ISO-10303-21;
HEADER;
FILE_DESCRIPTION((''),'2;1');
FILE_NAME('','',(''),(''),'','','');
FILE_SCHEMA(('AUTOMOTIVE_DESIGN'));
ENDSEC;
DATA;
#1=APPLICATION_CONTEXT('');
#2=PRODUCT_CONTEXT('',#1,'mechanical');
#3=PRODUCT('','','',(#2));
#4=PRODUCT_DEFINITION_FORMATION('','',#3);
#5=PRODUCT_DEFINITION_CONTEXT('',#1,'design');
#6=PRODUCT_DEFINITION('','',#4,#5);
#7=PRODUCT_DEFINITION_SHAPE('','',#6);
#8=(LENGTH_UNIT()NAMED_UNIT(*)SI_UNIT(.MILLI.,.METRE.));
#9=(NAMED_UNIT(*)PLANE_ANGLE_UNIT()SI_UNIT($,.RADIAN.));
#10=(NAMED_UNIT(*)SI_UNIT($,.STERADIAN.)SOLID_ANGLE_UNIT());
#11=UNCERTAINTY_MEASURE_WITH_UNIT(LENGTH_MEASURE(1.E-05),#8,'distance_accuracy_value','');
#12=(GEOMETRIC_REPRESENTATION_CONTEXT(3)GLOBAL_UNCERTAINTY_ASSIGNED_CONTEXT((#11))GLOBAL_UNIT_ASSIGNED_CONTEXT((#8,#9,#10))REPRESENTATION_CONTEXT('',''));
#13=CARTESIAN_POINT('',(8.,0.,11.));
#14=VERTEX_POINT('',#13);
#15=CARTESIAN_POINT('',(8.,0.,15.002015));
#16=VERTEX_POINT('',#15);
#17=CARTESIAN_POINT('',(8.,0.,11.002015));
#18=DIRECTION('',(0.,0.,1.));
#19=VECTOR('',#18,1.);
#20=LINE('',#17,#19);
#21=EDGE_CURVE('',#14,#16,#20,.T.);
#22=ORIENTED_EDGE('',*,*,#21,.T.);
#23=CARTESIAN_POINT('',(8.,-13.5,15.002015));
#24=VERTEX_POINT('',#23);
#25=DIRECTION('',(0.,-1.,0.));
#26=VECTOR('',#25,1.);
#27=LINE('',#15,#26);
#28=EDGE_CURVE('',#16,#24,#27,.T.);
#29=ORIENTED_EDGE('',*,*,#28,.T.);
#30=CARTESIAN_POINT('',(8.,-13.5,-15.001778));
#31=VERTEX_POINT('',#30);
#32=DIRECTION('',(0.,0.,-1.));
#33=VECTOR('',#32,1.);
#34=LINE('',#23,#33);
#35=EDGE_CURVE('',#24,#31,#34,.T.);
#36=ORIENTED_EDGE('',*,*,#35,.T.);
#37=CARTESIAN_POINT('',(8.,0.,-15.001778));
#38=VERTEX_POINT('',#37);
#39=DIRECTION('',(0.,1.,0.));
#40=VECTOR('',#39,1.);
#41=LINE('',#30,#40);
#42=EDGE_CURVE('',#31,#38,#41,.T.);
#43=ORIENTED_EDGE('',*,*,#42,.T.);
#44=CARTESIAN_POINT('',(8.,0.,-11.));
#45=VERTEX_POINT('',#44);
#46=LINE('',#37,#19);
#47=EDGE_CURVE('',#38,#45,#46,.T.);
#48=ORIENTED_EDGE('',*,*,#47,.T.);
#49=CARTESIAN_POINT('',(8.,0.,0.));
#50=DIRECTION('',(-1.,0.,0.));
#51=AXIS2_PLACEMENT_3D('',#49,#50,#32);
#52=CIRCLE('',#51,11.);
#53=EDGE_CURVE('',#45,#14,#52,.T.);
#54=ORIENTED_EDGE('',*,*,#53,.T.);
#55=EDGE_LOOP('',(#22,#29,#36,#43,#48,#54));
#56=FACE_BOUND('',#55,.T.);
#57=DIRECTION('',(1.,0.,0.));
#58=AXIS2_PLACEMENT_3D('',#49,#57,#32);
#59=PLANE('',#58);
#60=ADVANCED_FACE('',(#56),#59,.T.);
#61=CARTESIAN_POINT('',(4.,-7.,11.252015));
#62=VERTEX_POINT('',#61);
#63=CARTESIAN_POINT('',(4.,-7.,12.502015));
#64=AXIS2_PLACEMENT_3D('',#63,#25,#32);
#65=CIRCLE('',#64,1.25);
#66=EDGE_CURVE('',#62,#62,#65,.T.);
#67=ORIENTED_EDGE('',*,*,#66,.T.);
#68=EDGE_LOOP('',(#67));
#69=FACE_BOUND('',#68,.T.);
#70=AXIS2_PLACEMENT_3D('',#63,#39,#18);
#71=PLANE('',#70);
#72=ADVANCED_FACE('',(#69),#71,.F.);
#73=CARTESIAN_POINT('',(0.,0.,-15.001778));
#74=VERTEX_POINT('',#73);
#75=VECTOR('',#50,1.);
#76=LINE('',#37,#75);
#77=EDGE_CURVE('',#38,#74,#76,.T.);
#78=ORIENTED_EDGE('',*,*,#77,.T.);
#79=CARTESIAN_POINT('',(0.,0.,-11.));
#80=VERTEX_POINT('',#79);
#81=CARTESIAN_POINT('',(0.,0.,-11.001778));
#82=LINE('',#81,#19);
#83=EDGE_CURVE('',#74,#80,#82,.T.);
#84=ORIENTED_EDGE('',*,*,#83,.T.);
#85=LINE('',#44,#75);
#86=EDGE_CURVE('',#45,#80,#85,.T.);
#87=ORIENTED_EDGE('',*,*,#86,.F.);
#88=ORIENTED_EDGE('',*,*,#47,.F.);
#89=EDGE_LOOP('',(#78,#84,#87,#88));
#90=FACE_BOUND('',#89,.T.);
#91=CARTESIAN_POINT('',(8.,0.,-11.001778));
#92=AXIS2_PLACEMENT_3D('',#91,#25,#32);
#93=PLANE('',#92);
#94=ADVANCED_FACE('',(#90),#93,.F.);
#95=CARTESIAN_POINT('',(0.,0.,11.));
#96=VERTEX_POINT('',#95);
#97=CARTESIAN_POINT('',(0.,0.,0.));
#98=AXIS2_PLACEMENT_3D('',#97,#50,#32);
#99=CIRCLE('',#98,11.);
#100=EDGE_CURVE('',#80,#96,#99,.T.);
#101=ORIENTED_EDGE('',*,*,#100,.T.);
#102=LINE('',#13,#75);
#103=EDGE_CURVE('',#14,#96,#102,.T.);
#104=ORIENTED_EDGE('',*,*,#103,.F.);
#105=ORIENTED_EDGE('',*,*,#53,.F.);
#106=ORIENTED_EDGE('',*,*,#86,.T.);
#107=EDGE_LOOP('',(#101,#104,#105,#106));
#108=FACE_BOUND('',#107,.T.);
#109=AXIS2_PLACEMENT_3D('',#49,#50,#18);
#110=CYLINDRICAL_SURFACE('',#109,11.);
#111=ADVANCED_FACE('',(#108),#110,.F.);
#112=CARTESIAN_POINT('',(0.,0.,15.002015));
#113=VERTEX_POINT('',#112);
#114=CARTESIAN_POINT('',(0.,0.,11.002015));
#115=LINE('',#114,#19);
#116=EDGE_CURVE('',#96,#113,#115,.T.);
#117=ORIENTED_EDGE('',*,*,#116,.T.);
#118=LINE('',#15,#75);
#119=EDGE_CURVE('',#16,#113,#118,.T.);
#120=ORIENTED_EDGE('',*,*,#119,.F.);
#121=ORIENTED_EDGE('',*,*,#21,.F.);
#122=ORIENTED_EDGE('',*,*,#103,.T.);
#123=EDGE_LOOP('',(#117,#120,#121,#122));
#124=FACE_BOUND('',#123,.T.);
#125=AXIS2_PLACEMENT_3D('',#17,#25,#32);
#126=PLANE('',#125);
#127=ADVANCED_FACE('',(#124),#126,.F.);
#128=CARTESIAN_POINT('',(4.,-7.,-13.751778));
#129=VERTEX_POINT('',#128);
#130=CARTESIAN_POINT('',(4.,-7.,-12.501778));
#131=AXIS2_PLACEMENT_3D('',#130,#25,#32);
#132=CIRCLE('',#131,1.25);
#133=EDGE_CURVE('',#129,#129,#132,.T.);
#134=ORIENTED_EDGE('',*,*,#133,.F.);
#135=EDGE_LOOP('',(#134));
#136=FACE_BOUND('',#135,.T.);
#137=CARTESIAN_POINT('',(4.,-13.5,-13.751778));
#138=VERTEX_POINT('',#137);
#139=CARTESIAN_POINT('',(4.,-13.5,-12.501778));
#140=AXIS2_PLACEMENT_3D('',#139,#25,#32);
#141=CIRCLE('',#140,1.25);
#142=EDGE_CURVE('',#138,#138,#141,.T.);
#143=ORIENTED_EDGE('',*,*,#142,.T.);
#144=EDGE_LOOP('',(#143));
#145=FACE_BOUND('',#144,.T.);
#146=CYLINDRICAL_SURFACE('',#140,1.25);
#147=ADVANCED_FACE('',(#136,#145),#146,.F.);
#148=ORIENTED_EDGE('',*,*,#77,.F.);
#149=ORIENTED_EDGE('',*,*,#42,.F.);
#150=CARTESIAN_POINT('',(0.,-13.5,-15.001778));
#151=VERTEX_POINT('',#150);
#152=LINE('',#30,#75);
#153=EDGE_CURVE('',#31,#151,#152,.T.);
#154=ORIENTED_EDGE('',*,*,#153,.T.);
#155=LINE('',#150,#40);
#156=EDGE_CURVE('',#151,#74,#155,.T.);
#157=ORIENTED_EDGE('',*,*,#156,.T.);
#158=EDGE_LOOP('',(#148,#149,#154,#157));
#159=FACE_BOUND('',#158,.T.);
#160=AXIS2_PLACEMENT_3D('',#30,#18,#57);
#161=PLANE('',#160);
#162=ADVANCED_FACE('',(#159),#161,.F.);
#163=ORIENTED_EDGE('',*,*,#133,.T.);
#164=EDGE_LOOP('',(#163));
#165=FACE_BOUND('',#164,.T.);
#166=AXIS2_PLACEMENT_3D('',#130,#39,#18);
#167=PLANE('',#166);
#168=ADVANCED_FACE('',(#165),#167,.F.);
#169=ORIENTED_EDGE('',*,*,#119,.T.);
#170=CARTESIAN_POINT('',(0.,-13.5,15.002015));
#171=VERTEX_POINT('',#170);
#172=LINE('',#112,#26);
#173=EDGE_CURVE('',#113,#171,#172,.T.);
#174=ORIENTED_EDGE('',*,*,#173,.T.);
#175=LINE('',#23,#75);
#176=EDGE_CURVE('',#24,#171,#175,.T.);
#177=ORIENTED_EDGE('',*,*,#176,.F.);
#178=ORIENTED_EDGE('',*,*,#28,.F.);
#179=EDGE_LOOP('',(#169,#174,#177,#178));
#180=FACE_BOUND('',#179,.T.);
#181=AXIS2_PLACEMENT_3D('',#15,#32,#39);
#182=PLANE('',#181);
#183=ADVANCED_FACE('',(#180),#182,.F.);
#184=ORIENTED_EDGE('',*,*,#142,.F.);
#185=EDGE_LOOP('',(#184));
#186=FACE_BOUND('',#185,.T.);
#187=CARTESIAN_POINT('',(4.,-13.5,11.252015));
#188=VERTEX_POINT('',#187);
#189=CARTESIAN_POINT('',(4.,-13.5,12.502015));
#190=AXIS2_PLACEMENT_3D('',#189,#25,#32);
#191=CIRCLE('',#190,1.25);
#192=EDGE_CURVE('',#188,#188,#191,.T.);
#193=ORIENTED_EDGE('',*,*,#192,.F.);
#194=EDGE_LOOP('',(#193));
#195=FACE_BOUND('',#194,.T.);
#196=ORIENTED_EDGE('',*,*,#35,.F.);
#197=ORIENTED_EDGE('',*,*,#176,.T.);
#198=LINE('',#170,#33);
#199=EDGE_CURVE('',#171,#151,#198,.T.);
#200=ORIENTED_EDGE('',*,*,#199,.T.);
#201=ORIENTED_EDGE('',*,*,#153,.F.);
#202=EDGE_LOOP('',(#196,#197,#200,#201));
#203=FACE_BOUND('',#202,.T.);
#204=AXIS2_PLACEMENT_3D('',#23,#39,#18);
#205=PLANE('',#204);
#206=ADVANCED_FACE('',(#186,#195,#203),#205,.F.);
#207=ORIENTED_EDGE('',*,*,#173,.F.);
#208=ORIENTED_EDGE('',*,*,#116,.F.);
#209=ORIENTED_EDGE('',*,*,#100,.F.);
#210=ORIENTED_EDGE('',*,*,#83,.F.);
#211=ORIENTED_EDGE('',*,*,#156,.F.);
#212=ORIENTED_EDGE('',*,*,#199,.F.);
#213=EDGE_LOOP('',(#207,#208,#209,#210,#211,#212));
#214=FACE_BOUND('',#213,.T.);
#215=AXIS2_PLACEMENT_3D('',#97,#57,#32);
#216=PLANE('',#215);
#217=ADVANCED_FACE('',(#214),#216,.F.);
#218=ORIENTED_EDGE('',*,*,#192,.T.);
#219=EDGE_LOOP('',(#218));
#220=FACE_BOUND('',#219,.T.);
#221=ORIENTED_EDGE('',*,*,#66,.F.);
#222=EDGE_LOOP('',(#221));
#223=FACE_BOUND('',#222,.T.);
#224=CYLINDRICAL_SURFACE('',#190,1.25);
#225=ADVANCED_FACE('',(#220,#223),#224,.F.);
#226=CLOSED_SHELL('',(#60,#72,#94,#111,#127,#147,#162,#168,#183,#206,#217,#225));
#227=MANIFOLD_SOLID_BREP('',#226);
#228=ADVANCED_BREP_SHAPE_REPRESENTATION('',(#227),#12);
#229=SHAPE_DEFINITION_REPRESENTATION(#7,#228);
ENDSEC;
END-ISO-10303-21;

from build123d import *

# Parameters (mm, degrees)
BOSS_EXTRUDE1_DEPTH                = 8
TAP_DRILL_FOR_M2_5X0_45_TAP1_D     = 2.5
TAP_DRILL_FOR_M2_5X0_45_TAP1_DEPTH = 6.5


with BuildPart() as part:
    # Sketch1 → Boss-Extrude1 (new body)
    with BuildSketch(Plane(origin=(0, 0, 0), x_dir=(0, 0, -1), z_dir=(1, 0, 0))):
        with BuildLine():
            Line((-11.002014748, 0), (-15.002014748, 0))
            Line((-15.002014748, 0), (-15.002014748, -13.5))
            Line((-15.002014748, -13.5), (15.001777911, -13.5))
            Line((15.001777911, -13.5), (15.001777911, 0))
            Line((15.001777911, 0), (11.001777911, 0))
            Line((11.001777911, 0), (11, 0))
            ThreePointArc((11, 0), (0, -11), (-11, 0))
            Line((-11, 0), (-11.002014748, 0))
        make_face()
    extrude(amount=BOSS_EXTRUDE1_DEPTH)

    # Tap Drill for M2.5x0.45 Tap1
    with Locations(Plane(origin=(0, -13.5, 0), x_dir=(-1, 0, 0), z_dir=(0, -1, 0))):
        with Locations((-4, -12.502014748), (-4, 12.501777911)):
            Hole(TAP_DRILL_FOR_M2_5X0_45_TAP1_D / 2, depth=TAP_DRILL_FOR_M2_5X0_45_TAP1_DEPTH)


solid = part.part
